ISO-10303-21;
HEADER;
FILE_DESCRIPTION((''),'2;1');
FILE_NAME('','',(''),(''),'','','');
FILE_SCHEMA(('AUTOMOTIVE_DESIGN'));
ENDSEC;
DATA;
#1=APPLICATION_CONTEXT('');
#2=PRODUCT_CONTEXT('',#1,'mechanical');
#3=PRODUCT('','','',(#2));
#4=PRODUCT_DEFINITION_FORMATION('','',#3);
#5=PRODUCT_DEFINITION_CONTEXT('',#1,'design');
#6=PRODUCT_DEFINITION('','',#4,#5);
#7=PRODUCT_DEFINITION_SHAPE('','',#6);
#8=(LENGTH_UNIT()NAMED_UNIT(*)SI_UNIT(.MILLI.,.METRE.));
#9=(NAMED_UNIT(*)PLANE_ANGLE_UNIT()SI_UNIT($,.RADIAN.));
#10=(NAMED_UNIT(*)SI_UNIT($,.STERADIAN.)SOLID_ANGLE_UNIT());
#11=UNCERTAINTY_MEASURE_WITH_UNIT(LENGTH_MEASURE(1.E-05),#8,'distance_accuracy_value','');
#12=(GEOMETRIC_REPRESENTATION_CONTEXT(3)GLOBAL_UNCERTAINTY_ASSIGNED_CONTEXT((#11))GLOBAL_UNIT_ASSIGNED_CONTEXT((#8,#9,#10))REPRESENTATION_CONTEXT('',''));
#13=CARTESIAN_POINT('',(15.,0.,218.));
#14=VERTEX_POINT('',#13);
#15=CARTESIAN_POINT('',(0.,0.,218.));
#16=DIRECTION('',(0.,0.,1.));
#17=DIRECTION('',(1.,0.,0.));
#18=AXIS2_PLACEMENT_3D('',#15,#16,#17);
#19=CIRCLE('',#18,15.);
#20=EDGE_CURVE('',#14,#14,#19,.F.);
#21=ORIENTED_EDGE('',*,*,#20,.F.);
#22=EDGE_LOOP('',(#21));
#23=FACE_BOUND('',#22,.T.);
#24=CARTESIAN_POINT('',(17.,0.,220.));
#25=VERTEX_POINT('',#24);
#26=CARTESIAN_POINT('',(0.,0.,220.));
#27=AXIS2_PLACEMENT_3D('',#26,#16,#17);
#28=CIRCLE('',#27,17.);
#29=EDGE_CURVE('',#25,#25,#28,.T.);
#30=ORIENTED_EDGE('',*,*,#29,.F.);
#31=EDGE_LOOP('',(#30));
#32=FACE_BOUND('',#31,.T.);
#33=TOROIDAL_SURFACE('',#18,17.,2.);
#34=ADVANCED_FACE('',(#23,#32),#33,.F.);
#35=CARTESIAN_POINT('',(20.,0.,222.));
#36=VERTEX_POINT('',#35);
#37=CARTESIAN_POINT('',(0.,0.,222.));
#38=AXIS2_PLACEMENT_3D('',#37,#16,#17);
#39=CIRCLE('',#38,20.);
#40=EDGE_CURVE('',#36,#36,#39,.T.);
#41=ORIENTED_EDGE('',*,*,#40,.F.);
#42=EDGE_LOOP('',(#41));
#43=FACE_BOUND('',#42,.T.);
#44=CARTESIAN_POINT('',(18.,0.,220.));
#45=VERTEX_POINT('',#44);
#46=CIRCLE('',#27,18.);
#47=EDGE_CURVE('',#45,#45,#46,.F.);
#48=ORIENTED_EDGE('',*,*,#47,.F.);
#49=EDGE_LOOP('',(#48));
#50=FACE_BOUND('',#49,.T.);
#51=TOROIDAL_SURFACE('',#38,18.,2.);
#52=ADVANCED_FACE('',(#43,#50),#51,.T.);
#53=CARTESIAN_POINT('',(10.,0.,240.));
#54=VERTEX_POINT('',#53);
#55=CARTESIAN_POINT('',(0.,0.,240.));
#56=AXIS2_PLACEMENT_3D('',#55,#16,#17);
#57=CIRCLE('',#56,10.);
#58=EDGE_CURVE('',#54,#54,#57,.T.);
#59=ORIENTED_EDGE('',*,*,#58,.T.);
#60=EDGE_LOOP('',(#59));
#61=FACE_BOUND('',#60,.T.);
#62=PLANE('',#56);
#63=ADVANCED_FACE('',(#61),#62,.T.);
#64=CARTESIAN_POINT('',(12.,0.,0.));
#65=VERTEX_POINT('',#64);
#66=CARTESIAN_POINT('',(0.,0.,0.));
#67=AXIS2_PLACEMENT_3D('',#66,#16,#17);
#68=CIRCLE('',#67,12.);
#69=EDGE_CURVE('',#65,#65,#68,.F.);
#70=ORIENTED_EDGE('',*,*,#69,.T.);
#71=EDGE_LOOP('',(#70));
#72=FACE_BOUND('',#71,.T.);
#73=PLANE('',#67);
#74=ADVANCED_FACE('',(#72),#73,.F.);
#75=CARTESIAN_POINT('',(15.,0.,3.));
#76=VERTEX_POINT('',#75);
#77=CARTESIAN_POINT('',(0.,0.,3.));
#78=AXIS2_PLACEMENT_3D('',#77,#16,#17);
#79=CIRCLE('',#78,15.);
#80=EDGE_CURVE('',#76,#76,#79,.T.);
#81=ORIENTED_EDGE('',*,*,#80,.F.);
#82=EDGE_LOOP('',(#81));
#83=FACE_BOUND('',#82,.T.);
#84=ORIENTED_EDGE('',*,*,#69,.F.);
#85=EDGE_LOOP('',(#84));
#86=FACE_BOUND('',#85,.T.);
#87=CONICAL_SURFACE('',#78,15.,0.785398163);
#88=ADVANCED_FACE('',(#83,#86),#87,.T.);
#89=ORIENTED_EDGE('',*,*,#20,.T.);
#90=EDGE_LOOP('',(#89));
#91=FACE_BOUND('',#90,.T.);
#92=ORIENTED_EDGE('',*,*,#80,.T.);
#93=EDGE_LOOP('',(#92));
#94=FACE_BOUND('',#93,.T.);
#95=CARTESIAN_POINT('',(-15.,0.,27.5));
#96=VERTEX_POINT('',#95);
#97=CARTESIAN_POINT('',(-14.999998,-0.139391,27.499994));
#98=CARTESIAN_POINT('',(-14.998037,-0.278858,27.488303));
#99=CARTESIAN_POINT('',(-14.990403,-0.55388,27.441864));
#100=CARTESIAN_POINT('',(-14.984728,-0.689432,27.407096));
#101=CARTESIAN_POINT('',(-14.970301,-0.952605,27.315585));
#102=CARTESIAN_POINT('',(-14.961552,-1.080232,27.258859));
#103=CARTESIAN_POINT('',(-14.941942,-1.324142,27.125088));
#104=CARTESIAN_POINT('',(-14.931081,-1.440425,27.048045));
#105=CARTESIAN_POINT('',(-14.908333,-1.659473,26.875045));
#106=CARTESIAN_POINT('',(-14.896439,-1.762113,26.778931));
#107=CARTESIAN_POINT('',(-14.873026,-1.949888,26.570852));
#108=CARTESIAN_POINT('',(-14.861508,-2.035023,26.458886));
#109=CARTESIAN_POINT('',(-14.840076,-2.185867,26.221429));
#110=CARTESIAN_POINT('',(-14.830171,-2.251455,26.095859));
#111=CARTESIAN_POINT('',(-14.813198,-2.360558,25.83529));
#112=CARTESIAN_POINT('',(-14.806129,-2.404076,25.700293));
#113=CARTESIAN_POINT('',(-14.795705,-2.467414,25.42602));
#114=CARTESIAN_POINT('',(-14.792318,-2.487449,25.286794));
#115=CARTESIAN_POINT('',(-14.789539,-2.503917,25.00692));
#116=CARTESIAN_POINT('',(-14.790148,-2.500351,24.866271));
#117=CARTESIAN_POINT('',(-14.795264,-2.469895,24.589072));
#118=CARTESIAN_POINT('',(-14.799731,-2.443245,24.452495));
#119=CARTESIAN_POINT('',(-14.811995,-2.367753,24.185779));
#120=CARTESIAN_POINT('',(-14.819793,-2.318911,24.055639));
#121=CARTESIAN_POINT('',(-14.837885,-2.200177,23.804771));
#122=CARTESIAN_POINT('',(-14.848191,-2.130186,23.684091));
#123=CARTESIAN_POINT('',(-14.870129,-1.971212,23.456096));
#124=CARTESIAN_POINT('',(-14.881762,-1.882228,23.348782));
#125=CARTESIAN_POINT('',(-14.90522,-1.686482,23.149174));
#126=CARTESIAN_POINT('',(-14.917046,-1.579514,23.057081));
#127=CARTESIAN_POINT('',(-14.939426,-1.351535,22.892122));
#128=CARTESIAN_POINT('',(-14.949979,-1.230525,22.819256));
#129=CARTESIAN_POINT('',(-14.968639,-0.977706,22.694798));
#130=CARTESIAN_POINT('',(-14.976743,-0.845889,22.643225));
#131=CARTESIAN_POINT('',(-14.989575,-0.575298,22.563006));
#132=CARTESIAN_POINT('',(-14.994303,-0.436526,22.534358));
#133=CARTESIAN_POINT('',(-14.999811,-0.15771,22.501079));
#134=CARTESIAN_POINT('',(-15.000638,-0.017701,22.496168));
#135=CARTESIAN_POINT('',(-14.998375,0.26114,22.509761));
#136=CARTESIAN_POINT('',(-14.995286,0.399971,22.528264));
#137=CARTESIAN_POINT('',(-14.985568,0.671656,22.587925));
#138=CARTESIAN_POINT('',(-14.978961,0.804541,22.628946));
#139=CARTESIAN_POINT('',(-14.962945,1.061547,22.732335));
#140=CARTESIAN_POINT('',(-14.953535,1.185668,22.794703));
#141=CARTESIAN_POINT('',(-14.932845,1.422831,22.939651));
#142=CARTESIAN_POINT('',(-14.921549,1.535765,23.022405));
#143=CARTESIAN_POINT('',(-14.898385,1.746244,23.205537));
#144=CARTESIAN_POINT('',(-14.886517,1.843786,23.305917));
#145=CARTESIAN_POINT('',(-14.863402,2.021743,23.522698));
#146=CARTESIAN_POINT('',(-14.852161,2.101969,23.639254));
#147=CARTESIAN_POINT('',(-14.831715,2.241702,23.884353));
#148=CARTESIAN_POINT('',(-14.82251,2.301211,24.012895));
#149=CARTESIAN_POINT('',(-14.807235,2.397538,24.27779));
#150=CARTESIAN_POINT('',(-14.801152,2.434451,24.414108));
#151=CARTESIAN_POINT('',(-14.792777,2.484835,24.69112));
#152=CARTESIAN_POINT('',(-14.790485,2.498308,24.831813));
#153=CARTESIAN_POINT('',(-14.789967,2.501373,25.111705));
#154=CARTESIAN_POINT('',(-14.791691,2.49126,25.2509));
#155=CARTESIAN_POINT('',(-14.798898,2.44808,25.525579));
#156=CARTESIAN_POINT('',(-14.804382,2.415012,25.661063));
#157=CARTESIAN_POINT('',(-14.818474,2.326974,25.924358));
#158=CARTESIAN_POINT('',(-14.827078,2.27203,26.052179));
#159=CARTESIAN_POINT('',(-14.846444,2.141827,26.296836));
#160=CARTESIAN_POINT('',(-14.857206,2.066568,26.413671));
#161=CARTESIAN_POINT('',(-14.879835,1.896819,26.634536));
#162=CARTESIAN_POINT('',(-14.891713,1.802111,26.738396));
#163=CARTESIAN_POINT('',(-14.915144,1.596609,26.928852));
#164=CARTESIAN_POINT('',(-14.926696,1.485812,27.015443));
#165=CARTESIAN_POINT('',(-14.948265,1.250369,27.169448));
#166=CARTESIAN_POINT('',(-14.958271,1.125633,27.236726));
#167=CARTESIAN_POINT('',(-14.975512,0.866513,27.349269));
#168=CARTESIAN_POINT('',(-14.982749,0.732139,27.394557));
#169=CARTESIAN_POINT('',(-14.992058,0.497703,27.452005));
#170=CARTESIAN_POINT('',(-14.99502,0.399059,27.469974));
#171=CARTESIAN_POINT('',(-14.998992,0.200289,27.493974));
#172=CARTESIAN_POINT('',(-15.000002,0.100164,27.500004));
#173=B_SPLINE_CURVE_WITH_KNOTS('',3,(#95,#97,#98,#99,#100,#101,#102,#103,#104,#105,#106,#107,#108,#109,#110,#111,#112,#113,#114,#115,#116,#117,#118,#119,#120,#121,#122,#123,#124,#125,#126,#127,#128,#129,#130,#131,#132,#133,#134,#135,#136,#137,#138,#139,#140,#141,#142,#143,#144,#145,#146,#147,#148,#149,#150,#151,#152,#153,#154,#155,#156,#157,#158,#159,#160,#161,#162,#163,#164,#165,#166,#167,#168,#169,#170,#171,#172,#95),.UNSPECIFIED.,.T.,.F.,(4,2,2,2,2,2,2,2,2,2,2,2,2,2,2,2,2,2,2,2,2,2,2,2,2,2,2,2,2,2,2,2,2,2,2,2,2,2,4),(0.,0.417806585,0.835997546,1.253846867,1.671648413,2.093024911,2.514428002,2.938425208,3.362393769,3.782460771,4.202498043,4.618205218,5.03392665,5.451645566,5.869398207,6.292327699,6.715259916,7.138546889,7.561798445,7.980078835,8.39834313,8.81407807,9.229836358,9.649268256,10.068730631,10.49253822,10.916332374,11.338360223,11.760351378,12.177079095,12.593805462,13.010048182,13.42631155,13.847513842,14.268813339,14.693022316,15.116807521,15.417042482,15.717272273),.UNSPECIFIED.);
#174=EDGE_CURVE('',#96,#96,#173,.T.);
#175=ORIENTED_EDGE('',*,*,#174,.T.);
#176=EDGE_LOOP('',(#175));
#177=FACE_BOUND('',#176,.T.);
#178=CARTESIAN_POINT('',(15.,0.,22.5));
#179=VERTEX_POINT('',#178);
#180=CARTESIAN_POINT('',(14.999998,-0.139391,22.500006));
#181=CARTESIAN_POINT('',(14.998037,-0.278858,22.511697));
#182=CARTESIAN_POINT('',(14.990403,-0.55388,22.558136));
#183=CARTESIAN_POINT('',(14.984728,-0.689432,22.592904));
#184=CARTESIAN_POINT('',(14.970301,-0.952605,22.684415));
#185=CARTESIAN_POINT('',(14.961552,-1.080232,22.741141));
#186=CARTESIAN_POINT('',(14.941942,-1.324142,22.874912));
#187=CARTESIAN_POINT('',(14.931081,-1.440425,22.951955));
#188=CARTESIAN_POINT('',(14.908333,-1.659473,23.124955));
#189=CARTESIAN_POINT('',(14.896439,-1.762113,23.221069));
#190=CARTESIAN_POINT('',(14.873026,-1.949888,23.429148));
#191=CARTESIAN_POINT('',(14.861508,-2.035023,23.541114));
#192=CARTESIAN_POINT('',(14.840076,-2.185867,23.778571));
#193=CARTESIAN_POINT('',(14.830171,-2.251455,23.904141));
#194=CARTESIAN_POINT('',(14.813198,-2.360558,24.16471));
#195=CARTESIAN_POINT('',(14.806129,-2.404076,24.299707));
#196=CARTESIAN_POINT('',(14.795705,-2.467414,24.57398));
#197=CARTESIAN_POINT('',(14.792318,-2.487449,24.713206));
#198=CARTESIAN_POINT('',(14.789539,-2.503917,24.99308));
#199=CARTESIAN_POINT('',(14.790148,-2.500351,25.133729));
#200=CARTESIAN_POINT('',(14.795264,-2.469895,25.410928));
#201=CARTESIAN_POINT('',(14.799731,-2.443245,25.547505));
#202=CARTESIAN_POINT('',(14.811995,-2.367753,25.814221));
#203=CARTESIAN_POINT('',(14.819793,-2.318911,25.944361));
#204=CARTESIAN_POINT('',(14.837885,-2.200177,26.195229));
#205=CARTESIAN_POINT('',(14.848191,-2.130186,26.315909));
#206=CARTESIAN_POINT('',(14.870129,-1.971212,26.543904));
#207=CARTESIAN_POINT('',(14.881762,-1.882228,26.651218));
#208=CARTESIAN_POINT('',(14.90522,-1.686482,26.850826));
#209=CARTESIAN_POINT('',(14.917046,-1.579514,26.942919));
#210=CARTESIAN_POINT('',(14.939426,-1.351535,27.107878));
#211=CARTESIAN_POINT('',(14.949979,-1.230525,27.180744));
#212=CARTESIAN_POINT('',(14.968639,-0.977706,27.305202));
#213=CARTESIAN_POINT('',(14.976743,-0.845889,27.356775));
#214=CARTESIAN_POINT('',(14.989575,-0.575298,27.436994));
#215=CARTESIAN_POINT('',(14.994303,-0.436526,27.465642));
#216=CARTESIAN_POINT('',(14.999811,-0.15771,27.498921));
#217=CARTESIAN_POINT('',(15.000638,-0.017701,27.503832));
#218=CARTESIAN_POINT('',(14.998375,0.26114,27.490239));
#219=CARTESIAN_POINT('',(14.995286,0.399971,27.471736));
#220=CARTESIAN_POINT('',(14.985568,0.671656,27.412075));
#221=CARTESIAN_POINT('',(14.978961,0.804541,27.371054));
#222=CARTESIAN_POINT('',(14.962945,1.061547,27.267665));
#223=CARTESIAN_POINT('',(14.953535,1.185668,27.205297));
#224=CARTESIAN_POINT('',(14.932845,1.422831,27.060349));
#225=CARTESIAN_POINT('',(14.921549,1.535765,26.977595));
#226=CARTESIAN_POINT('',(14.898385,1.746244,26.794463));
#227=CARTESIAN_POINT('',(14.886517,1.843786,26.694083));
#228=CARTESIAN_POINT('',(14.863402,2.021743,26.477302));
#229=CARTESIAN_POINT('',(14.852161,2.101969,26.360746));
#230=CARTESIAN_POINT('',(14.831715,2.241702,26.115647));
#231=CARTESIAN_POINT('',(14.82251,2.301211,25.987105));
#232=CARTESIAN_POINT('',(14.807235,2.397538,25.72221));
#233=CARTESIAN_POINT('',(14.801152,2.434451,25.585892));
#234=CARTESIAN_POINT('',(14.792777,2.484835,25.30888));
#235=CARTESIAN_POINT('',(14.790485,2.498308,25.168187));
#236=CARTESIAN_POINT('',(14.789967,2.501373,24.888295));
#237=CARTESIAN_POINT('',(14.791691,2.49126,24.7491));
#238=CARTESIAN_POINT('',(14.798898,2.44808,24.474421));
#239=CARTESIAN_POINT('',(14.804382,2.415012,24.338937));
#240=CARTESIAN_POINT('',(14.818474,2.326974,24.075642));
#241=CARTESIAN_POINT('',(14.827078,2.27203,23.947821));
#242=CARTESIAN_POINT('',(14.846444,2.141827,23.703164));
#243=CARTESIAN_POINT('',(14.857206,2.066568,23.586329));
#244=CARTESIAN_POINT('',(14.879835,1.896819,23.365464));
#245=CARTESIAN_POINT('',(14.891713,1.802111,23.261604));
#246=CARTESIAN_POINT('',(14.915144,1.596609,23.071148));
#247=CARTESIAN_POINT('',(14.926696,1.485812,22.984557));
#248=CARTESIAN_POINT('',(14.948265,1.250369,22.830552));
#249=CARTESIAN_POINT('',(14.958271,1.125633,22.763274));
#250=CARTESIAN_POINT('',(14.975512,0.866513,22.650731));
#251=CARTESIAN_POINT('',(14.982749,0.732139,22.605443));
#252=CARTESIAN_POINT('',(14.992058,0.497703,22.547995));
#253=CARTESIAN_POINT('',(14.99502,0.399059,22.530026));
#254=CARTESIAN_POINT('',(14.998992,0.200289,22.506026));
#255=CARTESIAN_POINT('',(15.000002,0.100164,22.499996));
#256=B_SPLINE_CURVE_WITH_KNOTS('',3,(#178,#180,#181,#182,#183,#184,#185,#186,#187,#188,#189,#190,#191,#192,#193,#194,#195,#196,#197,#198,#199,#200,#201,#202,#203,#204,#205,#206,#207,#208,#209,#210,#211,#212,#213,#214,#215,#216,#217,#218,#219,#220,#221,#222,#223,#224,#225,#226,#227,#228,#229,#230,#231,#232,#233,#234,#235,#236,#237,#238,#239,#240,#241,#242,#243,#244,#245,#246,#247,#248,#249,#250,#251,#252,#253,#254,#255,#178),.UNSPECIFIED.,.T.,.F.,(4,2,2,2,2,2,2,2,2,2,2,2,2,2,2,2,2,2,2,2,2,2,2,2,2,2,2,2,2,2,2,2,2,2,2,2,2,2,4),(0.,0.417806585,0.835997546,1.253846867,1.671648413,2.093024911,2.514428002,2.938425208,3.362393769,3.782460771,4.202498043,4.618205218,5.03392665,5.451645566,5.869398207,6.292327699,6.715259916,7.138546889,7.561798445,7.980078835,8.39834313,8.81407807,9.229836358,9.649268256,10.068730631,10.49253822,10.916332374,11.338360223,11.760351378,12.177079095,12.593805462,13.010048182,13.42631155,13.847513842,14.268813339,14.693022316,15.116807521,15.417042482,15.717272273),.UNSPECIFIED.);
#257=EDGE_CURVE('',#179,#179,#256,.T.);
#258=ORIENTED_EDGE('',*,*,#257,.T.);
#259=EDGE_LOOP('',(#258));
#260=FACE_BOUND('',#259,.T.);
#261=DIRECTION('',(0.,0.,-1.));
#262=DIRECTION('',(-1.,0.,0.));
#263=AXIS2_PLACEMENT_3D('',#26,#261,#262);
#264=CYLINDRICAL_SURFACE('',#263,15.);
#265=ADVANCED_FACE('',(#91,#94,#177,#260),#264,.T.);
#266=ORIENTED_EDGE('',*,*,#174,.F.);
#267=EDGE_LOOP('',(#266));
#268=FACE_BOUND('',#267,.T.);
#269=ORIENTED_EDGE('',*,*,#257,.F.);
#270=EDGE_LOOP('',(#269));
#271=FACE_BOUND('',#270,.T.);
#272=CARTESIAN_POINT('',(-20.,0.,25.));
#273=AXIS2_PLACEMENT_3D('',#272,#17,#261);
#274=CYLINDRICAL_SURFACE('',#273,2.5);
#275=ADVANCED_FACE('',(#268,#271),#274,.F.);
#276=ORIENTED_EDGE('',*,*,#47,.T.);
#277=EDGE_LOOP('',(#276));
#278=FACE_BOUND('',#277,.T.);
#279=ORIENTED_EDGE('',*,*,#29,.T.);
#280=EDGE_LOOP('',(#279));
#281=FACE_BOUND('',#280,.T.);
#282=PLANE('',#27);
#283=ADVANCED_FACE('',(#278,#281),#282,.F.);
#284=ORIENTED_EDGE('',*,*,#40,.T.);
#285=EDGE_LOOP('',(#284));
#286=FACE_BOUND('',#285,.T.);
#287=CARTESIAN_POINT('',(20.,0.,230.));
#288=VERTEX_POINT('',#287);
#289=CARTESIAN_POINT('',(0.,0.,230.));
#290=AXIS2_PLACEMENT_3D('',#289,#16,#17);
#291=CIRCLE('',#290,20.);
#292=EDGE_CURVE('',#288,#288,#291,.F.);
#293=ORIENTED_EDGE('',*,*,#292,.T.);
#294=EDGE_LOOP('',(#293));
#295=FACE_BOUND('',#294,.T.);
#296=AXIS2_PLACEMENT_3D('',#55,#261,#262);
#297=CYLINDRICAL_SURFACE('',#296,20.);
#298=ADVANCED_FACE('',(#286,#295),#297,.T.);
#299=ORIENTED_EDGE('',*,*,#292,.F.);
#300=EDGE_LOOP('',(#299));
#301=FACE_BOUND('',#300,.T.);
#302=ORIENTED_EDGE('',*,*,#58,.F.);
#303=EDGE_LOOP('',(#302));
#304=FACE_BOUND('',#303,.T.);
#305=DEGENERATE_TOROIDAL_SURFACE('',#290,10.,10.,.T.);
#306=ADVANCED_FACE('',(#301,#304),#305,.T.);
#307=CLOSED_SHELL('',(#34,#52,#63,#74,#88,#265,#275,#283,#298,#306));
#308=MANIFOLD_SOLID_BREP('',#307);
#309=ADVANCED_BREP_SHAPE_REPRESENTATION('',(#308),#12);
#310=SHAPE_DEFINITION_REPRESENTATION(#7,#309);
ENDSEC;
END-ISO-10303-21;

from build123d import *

# Parameters (mm, degrees)
SKETCH1_R               = 15
BOSS_EXTRUDE1_DEPTH     = 220
SKETCH2_R               = 20
BOSS_EXTRUDE2_DEPTH     = 20
FILLET1_R               = 10
FILLET2_R               = 2
CHAMFER1_SIZE           = 3
CUT_EXTRUDE1_DEPTH      = 242.66091948
CUT_EXTRUDE1_DEPTH_BACK = 242.66091948
SKETCH4_R               = 2.5


with BuildPart() as part:
    # Sketch1 → Boss-Extrude1 (new body)
    with BuildSketch(Plane.XY):
        Circle(SKETCH1_R)
    extrude(amount=BOSS_EXTRUDE1_DEPTH)

    # Sketch2 → Boss-Extrude2 (add)
    with BuildSketch(Plane.XY.offset(220)):
        Circle(SKETCH2_R)
    extrude(amount=BOSS_EXTRUDE2_DEPTH)

    # Fillet1
    fillet1_edges = [part.edges().sort_by_distance(p)[0] for p in [
        (-20, 0, 240),
    ]]
    fillet(fillet1_edges, radius=FILLET1_R)

    # Fillet2
    fillet2_edges = [part.edges().sort_by_distance(p)[0] for p in [
        (-15, 0, 220),
        (-20, 0, 220),
    ]]
    fillet(fillet2_edges, radius=FILLET2_R)

    # Chamfer1
    chamfer1_edges = [part.edges().sort_by_distance(p)[0] for p in [
        (-15, 0, 0),
    ]]
    chamfer(chamfer1_edges, length=CHAMFER1_SIZE)

    # Sketch4 → Cut-Extrude1 (cut, two sides: drawn at the far end of the back side and taken through both)
    with BuildSketch(Plane(origin=(0, 0, 0), x_dir=(0, 0, -1), z_dir=(1, 0, 0)).offset(-CUT_EXTRUDE1_DEPTH_BACK)):
        with Locations(Location((-25, 0, 0), (0, 0, 180))):
            Circle(SKETCH4_R)
    extrude(amount=CUT_EXTRUDE1_DEPTH + CUT_EXTRUDE1_DEPTH_BACK, mode=Mode.SUBTRACT)


solid = part.part
